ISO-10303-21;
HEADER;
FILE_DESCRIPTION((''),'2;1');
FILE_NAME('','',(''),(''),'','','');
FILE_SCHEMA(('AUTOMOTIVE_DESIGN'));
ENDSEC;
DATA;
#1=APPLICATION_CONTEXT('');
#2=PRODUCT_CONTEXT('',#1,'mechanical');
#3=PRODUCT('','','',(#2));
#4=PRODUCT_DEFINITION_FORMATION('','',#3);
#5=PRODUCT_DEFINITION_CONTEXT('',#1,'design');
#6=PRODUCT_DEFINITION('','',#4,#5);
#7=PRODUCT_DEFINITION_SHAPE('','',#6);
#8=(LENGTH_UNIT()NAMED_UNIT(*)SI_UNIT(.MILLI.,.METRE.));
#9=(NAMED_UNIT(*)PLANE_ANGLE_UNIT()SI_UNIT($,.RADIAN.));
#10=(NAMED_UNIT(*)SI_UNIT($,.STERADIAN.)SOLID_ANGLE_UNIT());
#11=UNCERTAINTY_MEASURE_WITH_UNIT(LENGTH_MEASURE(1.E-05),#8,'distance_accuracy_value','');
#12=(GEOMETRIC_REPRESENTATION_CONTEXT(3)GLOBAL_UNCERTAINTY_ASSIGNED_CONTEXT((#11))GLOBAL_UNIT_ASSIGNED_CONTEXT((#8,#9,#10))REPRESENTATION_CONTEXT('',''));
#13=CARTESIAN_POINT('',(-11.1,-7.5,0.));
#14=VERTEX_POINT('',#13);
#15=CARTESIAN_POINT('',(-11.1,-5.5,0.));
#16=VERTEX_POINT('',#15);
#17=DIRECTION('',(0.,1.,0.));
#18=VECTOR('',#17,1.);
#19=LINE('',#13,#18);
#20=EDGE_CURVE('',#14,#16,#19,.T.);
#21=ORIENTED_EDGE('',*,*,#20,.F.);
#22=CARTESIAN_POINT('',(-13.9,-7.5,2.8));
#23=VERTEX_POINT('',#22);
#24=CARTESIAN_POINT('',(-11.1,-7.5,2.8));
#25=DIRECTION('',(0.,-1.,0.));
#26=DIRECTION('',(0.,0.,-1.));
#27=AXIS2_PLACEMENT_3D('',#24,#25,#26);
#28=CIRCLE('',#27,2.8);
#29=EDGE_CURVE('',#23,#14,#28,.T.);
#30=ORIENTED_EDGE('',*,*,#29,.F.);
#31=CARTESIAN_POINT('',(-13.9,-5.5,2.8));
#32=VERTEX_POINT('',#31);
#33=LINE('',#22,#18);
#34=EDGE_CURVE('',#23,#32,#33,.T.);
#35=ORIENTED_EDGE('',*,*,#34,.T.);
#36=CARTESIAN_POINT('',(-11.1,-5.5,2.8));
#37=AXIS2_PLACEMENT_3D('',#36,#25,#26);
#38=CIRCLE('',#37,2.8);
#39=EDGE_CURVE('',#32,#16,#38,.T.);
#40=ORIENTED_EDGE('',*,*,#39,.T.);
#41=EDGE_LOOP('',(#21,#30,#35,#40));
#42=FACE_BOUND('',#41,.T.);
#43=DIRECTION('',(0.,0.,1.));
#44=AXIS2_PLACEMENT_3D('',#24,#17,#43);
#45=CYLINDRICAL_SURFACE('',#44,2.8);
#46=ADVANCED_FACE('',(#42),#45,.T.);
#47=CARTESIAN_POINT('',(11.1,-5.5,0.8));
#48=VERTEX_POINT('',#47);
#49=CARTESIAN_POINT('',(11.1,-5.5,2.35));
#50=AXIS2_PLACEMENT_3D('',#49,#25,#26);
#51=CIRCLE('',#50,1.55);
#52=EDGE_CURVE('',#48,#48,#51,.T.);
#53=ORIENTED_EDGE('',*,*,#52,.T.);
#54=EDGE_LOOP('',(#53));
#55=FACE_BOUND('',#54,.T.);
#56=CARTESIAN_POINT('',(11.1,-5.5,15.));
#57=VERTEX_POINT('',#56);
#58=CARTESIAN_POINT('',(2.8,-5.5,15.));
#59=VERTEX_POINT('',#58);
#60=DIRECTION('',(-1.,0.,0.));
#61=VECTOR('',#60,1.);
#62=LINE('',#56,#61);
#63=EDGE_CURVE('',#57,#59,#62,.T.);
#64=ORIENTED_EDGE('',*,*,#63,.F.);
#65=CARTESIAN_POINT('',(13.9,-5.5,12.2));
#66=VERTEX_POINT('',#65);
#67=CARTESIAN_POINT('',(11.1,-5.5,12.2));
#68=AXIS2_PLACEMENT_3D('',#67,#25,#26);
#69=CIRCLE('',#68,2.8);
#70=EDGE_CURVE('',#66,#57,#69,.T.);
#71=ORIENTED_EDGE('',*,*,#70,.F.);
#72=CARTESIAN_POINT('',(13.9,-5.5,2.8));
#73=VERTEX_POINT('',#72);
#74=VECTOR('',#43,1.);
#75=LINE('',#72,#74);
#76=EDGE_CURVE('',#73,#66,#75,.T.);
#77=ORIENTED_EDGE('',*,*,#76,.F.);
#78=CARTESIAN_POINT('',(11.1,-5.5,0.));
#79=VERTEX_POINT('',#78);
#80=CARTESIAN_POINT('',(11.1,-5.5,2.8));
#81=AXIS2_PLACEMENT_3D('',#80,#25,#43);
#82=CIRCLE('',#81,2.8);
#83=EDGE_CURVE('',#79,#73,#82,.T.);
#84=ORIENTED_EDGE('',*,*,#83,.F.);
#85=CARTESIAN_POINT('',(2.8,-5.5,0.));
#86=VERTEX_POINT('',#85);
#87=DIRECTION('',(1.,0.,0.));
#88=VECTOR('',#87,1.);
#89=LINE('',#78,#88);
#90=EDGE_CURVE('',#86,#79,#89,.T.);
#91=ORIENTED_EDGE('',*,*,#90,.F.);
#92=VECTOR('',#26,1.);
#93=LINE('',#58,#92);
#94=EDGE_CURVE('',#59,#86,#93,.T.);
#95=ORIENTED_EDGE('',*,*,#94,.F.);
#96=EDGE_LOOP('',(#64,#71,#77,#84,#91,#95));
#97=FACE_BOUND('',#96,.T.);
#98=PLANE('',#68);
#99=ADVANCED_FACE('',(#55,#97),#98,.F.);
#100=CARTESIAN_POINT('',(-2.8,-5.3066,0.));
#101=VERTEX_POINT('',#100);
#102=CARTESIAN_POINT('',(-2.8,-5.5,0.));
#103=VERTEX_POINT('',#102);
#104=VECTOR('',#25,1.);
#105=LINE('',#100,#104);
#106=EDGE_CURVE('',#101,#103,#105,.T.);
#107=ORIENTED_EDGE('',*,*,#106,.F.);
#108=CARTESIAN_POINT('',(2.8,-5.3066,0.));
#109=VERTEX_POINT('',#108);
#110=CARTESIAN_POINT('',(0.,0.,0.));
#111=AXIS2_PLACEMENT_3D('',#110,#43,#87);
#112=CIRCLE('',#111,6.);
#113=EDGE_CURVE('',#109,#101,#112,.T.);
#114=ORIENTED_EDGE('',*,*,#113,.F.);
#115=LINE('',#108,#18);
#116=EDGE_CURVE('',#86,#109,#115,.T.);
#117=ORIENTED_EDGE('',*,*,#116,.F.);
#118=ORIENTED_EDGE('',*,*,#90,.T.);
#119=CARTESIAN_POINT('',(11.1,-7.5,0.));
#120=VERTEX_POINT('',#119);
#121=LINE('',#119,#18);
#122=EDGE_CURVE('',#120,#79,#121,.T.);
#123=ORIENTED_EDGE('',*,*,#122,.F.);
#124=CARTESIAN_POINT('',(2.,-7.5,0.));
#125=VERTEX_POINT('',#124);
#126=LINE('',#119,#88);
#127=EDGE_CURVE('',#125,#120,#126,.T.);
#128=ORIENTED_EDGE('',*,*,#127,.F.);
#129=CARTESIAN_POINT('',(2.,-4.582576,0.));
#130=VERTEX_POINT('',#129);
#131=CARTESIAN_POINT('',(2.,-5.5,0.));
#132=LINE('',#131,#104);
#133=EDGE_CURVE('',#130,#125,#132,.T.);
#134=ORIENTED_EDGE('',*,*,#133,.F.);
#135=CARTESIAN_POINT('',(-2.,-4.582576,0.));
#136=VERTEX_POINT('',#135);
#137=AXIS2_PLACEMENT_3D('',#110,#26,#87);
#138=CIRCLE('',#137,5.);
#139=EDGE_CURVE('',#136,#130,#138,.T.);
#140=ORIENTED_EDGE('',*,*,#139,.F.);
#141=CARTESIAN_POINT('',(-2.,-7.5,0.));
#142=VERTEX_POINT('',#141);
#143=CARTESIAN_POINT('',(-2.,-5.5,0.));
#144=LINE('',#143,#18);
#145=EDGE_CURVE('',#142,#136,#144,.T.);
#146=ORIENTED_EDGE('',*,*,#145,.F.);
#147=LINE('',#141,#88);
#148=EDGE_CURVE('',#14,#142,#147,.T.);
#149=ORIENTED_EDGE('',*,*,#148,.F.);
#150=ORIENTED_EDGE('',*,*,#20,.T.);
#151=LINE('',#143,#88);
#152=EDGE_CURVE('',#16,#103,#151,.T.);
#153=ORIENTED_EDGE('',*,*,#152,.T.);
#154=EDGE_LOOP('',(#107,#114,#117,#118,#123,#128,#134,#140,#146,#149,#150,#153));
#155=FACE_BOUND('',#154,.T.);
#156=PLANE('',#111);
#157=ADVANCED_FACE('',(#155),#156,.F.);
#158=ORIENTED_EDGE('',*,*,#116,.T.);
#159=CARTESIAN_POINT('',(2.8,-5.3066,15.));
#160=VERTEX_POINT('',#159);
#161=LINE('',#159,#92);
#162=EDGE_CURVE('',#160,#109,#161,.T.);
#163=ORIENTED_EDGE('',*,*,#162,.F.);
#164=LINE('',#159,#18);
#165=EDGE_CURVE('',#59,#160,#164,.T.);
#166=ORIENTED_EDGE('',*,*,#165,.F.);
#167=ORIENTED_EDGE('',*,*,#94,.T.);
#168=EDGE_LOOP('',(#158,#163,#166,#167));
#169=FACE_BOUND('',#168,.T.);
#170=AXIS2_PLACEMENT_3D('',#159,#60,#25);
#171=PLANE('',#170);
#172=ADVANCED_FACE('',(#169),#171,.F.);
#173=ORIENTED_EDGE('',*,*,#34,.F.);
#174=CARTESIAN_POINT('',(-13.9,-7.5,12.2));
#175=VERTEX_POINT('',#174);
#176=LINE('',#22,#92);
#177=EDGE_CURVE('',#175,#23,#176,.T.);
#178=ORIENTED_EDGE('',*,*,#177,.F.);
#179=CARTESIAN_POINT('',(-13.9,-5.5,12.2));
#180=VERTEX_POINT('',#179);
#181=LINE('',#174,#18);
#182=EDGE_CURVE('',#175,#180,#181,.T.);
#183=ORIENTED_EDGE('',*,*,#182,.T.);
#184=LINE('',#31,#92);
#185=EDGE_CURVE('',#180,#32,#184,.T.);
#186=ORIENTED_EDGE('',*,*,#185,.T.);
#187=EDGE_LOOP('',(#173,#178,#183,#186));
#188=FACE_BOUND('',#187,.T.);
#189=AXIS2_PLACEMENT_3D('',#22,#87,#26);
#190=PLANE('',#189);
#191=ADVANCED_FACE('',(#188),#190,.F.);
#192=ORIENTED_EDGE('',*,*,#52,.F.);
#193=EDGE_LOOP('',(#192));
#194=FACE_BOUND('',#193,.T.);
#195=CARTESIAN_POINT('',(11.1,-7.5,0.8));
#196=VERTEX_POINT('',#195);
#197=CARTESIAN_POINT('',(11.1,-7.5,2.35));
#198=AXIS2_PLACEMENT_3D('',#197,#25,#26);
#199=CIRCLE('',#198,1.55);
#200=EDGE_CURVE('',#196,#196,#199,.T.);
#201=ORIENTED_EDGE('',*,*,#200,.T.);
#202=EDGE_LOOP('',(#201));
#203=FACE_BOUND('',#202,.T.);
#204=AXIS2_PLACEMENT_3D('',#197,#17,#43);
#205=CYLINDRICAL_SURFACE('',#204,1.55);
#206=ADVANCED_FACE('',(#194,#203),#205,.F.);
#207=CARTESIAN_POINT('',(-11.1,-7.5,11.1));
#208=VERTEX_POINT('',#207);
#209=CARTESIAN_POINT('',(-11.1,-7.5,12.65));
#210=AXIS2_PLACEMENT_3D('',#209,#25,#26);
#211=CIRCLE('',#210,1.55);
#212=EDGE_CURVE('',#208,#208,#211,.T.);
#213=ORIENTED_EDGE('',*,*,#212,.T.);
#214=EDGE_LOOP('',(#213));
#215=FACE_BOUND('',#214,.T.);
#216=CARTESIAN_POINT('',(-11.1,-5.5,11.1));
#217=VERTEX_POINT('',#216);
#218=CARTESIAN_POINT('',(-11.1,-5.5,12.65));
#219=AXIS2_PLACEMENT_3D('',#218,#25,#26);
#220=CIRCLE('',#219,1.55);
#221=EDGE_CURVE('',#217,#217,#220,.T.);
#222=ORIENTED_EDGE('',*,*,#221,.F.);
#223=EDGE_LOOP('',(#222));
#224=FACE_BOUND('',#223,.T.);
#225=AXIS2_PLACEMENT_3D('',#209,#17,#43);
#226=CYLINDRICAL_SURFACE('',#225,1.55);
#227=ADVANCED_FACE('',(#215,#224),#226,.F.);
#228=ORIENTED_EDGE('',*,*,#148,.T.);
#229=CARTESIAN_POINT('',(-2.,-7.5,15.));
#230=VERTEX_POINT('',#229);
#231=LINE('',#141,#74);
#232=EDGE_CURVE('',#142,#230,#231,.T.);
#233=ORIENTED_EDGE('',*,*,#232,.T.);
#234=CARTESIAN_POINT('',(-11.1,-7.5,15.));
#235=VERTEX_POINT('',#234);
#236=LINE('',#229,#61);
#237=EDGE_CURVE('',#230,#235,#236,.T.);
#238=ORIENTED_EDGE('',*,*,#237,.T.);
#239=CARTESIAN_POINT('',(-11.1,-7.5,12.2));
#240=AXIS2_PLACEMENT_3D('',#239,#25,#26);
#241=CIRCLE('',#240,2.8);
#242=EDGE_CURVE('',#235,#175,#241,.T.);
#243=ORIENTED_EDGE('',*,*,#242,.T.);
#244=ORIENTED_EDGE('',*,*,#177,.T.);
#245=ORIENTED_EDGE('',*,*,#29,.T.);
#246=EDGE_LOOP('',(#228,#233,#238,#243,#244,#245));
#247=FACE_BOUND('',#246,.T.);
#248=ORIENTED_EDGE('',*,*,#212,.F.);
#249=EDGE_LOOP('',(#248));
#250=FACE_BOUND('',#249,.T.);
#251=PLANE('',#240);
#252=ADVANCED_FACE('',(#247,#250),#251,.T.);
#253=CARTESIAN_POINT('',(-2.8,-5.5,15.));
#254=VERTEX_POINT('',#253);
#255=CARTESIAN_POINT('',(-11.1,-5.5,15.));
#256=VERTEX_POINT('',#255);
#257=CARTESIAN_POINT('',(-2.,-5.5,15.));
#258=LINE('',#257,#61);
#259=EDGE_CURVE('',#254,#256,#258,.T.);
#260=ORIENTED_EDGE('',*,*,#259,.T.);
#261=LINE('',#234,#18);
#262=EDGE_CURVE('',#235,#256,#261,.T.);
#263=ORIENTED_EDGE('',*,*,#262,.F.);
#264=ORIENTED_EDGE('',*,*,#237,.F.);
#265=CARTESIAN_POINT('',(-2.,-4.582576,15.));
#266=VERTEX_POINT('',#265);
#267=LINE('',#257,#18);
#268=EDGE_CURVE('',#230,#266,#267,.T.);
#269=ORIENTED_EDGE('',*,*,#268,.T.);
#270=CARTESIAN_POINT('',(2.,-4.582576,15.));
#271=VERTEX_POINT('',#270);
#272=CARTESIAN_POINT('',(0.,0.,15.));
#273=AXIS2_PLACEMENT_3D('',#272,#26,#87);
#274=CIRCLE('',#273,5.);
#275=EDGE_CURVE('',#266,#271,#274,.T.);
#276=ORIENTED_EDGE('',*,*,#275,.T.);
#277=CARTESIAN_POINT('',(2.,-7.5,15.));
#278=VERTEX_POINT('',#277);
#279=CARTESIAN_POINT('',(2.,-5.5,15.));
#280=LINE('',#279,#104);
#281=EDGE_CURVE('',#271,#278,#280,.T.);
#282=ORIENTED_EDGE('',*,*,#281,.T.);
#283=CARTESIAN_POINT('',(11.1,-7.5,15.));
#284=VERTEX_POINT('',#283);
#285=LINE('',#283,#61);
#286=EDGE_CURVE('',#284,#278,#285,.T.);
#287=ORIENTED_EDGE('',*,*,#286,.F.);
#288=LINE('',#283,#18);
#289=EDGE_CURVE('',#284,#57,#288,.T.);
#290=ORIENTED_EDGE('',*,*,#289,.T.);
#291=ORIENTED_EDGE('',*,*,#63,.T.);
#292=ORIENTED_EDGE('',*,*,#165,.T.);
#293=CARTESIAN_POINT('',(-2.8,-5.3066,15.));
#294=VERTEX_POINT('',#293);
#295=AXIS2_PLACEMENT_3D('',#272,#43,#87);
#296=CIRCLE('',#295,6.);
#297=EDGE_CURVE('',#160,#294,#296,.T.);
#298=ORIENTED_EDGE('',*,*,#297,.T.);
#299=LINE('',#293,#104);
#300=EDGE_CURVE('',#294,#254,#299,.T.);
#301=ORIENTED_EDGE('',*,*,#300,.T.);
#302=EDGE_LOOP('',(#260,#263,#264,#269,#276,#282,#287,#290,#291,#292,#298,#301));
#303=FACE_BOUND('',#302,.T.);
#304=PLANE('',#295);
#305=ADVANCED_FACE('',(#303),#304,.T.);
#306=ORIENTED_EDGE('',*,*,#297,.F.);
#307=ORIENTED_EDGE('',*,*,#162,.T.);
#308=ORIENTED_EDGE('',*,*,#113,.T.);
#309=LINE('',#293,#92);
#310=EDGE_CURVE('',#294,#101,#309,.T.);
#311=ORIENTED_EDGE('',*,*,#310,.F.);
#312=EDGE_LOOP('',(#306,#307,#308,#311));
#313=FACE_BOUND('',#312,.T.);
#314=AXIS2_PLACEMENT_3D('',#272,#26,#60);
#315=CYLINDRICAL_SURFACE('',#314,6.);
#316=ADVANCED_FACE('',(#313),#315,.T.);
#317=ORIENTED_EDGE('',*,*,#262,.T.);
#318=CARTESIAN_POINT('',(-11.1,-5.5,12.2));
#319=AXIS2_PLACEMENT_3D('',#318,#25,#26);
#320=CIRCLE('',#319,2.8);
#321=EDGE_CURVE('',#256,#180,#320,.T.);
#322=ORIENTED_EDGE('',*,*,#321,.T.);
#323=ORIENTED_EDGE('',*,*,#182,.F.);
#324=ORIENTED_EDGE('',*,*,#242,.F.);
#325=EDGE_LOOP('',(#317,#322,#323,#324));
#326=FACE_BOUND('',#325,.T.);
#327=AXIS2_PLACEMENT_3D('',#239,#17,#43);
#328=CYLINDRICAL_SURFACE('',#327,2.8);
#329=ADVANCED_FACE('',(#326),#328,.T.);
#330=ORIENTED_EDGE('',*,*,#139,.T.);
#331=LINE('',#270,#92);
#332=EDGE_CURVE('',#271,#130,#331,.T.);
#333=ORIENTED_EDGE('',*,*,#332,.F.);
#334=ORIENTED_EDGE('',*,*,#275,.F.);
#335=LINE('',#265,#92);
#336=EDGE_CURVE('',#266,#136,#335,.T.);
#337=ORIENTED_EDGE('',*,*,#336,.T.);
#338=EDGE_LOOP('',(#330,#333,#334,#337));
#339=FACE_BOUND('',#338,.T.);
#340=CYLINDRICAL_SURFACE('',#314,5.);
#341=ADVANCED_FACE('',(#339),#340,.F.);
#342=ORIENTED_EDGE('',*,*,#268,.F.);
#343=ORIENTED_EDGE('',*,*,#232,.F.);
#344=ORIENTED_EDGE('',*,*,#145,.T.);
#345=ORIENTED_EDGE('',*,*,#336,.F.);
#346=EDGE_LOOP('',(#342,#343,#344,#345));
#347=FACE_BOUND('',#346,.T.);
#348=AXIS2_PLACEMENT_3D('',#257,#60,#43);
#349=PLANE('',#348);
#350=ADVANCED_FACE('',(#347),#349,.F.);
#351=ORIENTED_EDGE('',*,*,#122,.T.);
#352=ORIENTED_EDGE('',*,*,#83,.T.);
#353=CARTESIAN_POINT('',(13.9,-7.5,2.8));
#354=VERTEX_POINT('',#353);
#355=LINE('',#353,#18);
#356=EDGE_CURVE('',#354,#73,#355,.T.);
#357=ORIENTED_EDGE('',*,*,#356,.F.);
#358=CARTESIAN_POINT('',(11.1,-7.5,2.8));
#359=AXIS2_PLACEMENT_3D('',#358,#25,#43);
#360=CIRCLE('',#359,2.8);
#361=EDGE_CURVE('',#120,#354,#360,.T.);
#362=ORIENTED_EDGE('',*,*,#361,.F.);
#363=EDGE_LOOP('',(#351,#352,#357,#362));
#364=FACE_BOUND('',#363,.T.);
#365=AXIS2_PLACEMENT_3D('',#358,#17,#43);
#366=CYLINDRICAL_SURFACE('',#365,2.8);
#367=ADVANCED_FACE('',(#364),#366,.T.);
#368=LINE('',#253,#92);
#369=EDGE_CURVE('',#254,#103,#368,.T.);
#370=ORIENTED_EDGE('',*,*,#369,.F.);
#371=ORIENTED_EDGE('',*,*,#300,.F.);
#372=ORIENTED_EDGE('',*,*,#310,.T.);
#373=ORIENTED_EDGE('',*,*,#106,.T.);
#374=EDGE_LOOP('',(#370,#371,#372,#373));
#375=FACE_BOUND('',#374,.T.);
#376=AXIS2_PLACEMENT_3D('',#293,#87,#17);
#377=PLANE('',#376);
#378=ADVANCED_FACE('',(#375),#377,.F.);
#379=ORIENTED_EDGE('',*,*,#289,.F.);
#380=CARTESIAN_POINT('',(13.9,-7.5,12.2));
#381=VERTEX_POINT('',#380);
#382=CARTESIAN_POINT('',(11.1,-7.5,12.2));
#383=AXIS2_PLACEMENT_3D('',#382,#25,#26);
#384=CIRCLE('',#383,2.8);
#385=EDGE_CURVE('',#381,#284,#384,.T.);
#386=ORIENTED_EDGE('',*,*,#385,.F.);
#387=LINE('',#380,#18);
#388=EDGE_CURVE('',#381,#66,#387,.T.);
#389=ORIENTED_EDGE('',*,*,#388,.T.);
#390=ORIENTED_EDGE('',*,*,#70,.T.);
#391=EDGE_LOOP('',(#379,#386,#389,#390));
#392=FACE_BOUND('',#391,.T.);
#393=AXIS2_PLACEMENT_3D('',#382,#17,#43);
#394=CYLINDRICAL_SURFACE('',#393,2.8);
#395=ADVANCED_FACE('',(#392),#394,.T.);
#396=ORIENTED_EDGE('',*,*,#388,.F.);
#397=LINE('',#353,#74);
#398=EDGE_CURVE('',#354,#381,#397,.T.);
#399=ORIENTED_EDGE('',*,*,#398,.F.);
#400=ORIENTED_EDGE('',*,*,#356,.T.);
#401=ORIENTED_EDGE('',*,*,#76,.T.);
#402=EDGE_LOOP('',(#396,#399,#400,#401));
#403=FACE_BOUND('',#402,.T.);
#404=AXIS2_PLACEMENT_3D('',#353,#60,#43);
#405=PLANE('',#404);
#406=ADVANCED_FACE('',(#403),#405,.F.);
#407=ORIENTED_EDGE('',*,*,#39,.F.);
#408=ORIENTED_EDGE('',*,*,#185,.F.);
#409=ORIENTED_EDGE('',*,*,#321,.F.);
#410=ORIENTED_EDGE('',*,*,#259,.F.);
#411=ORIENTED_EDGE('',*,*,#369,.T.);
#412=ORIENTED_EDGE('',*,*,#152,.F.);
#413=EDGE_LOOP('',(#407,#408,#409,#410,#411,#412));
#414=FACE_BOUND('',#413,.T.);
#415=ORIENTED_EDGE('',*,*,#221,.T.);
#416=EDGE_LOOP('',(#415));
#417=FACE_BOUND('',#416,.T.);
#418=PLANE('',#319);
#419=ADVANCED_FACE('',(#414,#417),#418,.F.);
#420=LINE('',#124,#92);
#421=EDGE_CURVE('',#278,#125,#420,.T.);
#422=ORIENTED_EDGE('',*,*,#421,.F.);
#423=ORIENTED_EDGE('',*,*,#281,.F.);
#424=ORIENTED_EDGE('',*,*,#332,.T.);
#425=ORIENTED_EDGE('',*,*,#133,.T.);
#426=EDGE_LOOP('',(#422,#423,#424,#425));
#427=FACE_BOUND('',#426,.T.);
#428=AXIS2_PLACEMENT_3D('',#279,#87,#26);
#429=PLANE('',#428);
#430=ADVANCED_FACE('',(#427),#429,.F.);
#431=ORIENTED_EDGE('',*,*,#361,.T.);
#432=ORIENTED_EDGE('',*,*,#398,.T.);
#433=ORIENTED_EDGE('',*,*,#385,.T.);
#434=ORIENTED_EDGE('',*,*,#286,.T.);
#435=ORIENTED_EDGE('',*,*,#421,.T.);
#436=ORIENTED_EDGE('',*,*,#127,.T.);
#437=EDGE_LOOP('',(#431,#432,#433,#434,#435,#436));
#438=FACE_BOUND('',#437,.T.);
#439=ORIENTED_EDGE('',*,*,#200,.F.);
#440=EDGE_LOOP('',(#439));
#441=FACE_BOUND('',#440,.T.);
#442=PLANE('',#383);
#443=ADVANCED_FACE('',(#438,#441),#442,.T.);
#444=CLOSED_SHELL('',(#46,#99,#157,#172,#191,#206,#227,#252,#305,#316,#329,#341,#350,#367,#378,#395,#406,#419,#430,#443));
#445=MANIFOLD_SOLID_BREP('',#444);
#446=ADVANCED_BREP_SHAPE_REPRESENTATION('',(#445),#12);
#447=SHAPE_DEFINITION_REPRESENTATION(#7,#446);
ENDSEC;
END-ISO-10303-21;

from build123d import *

# Parameters (mm, degrees)
SALIENTE_EXTRUIR2_DEPTH = 15
CROQUIS3_R              = 1.55
SALIENTE_EXTRUIR3_DEPTH = 2


with BuildPart() as part:
    # Croquis2 → Saliente-Extruir2 (new body)
    with BuildSketch(Plane.XY):
        with BuildLine():
            Line((2.8, -5.306599665), (2.8, -5.5))
            Line((2.8, -5.5), (2, -5.5))
            Line((2, -5.5), (2, -4.582575695))
            ThreePointArc((2, -4.582575695), (0, 5), (-2, -4.582575695))
            Line((-2, -4.582575695), (-2, -5.5))
            Line((-2, -5.5), (-2.8, -5.5))
            Line((-2.8, -5.5), (-2.8, -5.306599665))
            ThreePointArc((-2.8, -5.306599665), (0, 6), (2.8, -5.306599665))
        make_face()
    extrude(amount=SALIENTE_EXTRUIR2_DEPTH)

    # Croquis3 → Saliente-Extruir3 (add)
    # profile 1 of 2: a face of its own
    with BuildSketch(Plane.XZ.offset(5.5)):
        with BuildLine():
            Line((2, 0), (2, 15))
            Line((2, 15), (11.1, 15))
            ThreePointArc((11.1, 15), (13.079898987, 14.179898987), (13.9, 12.2))
            Line((13.9, 12.2), (13.9, 2.8))
            ThreePointArc((13.9, 2.8), (13.079898987, 0.820101013), (11.1, 0))
            Line((11.1, 0), (2, 0))
        make_face()
        with Locations(Location((11.1, 2.35, 0), (0, 0, 270))):
            Circle(CROQUIS3_R, mode=Mode.SUBTRACT)
    # profile 2 of 2: a face of its own
    with BuildSketch(Plane.XZ.offset(5.5)):
        with BuildLine():
            Line((-13.9, 2.8), (-13.9, 12.2))
            ThreePointArc((-13.9, 12.2), (-13.079898987, 14.179898987), (-11.1, 15))
            Line((-11.1, 15), (-2, 15))
            Line((-2, 15), (-2, 0))
            Line((-2, 0), (-11.1, 0))
            ThreePointArc((-11.1, 0), (-13.079898987, 0.820101013), (-13.9, 2.8))
        make_face()
        with Locations(Location((-11.1, 12.65, 0), (0, 0, 270))):
            Circle(CROQUIS3_R, mode=Mode.SUBTRACT)
    extrude(amount=SALIENTE_EXTRUIR3_DEPTH)


solid = part.part
